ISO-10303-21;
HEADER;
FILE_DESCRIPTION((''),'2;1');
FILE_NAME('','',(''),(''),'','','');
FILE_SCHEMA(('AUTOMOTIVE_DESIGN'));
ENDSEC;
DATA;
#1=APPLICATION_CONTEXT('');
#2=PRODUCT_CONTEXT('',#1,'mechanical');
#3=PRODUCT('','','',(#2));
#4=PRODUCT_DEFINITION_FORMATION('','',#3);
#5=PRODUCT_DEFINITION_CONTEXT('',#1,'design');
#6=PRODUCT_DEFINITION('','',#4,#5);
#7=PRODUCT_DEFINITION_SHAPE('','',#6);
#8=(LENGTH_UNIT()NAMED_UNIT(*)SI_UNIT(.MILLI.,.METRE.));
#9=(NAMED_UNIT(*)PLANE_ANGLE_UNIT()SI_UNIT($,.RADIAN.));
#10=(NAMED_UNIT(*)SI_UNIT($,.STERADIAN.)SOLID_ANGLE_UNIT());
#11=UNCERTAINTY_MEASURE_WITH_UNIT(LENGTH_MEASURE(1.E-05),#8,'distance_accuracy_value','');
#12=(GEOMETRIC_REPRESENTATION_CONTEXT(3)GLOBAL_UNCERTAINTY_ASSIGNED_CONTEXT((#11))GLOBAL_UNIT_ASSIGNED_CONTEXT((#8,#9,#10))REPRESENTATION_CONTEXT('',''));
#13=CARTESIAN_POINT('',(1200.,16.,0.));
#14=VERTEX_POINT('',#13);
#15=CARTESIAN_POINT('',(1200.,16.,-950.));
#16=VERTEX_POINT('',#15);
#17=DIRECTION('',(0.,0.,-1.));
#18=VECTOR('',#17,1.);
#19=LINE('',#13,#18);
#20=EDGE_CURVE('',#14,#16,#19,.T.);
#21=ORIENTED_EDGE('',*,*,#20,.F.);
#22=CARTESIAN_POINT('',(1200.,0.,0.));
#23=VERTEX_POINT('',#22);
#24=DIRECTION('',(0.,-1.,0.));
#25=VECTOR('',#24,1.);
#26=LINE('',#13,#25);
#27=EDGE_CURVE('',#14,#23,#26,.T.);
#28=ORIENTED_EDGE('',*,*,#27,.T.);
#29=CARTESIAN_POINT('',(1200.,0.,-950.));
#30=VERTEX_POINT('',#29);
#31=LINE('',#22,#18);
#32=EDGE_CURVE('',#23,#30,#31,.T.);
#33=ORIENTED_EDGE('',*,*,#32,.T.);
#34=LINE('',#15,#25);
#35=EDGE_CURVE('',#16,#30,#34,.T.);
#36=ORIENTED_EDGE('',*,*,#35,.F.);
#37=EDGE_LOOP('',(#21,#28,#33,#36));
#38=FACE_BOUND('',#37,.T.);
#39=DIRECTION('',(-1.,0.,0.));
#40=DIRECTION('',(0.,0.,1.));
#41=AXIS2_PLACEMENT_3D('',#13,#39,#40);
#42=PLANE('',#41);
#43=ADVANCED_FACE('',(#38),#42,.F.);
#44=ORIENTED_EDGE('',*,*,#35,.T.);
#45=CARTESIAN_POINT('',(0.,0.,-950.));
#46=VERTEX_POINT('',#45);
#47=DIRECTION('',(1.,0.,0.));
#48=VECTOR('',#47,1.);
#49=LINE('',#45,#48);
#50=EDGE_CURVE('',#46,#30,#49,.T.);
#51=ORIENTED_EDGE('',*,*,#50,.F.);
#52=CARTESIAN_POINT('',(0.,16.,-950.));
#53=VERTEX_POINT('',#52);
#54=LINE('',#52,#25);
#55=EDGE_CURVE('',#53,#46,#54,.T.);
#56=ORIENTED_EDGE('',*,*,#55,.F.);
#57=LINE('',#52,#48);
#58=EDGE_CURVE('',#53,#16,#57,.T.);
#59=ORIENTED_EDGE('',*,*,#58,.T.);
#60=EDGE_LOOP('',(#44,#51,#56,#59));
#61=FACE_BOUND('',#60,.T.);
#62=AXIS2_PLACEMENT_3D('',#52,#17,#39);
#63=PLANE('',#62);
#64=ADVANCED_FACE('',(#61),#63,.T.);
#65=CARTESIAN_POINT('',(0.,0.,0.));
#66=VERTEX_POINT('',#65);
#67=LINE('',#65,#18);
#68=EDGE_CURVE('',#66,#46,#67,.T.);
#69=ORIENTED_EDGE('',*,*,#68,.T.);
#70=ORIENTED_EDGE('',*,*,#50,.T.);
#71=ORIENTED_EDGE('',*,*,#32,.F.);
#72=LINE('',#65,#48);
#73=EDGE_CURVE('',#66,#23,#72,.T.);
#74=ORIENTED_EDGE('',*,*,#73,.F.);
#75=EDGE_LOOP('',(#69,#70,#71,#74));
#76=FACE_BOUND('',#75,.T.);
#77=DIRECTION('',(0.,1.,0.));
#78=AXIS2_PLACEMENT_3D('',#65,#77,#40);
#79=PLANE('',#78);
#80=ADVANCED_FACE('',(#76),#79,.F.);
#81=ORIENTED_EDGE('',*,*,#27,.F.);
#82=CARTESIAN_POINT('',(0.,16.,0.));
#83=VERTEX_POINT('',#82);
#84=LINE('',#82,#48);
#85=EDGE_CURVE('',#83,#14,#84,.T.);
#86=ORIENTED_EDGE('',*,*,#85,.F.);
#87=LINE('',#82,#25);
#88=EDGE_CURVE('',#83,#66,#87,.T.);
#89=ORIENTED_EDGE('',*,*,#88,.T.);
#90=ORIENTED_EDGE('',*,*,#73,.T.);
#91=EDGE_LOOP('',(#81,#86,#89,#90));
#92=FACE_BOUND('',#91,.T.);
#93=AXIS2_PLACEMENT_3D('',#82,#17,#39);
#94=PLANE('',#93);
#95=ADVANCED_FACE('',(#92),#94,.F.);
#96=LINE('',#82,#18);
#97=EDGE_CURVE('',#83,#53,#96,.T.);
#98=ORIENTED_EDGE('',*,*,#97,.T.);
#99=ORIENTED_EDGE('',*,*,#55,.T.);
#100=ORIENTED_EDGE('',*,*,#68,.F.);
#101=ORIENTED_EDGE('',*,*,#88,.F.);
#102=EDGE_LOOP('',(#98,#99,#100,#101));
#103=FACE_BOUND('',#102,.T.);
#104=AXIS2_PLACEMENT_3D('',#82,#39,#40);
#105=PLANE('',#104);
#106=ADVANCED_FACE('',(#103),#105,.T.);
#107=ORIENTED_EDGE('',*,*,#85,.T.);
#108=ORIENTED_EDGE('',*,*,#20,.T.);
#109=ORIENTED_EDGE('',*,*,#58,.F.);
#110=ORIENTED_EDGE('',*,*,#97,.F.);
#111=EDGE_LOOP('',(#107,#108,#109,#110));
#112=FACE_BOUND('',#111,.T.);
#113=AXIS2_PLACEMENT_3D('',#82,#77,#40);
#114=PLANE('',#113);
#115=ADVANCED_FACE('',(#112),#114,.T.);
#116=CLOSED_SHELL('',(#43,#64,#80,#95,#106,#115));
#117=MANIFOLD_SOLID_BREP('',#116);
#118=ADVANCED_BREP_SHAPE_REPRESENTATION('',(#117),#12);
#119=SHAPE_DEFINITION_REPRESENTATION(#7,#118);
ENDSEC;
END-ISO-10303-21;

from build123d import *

# Parameters (mm, degrees)
SKETCH1_W           = 1200
SKETCH1_H           = 950
BOSS_EXTRUDE1_DEPTH = 16


with BuildPart() as part:
    # Sketch1 → Boss-Extrude1 (new body)
    with BuildSketch(Plane(origin=(0, 0, 0), x_dir=(1, 0, 0), z_dir=(0, 1, 0))):
        with Locations((600, 475)):
            Rectangle(SKETCH1_W, SKETCH1_H)
    extrude(amount=BOSS_EXTRUDE1_DEPTH)


solid = part.part
